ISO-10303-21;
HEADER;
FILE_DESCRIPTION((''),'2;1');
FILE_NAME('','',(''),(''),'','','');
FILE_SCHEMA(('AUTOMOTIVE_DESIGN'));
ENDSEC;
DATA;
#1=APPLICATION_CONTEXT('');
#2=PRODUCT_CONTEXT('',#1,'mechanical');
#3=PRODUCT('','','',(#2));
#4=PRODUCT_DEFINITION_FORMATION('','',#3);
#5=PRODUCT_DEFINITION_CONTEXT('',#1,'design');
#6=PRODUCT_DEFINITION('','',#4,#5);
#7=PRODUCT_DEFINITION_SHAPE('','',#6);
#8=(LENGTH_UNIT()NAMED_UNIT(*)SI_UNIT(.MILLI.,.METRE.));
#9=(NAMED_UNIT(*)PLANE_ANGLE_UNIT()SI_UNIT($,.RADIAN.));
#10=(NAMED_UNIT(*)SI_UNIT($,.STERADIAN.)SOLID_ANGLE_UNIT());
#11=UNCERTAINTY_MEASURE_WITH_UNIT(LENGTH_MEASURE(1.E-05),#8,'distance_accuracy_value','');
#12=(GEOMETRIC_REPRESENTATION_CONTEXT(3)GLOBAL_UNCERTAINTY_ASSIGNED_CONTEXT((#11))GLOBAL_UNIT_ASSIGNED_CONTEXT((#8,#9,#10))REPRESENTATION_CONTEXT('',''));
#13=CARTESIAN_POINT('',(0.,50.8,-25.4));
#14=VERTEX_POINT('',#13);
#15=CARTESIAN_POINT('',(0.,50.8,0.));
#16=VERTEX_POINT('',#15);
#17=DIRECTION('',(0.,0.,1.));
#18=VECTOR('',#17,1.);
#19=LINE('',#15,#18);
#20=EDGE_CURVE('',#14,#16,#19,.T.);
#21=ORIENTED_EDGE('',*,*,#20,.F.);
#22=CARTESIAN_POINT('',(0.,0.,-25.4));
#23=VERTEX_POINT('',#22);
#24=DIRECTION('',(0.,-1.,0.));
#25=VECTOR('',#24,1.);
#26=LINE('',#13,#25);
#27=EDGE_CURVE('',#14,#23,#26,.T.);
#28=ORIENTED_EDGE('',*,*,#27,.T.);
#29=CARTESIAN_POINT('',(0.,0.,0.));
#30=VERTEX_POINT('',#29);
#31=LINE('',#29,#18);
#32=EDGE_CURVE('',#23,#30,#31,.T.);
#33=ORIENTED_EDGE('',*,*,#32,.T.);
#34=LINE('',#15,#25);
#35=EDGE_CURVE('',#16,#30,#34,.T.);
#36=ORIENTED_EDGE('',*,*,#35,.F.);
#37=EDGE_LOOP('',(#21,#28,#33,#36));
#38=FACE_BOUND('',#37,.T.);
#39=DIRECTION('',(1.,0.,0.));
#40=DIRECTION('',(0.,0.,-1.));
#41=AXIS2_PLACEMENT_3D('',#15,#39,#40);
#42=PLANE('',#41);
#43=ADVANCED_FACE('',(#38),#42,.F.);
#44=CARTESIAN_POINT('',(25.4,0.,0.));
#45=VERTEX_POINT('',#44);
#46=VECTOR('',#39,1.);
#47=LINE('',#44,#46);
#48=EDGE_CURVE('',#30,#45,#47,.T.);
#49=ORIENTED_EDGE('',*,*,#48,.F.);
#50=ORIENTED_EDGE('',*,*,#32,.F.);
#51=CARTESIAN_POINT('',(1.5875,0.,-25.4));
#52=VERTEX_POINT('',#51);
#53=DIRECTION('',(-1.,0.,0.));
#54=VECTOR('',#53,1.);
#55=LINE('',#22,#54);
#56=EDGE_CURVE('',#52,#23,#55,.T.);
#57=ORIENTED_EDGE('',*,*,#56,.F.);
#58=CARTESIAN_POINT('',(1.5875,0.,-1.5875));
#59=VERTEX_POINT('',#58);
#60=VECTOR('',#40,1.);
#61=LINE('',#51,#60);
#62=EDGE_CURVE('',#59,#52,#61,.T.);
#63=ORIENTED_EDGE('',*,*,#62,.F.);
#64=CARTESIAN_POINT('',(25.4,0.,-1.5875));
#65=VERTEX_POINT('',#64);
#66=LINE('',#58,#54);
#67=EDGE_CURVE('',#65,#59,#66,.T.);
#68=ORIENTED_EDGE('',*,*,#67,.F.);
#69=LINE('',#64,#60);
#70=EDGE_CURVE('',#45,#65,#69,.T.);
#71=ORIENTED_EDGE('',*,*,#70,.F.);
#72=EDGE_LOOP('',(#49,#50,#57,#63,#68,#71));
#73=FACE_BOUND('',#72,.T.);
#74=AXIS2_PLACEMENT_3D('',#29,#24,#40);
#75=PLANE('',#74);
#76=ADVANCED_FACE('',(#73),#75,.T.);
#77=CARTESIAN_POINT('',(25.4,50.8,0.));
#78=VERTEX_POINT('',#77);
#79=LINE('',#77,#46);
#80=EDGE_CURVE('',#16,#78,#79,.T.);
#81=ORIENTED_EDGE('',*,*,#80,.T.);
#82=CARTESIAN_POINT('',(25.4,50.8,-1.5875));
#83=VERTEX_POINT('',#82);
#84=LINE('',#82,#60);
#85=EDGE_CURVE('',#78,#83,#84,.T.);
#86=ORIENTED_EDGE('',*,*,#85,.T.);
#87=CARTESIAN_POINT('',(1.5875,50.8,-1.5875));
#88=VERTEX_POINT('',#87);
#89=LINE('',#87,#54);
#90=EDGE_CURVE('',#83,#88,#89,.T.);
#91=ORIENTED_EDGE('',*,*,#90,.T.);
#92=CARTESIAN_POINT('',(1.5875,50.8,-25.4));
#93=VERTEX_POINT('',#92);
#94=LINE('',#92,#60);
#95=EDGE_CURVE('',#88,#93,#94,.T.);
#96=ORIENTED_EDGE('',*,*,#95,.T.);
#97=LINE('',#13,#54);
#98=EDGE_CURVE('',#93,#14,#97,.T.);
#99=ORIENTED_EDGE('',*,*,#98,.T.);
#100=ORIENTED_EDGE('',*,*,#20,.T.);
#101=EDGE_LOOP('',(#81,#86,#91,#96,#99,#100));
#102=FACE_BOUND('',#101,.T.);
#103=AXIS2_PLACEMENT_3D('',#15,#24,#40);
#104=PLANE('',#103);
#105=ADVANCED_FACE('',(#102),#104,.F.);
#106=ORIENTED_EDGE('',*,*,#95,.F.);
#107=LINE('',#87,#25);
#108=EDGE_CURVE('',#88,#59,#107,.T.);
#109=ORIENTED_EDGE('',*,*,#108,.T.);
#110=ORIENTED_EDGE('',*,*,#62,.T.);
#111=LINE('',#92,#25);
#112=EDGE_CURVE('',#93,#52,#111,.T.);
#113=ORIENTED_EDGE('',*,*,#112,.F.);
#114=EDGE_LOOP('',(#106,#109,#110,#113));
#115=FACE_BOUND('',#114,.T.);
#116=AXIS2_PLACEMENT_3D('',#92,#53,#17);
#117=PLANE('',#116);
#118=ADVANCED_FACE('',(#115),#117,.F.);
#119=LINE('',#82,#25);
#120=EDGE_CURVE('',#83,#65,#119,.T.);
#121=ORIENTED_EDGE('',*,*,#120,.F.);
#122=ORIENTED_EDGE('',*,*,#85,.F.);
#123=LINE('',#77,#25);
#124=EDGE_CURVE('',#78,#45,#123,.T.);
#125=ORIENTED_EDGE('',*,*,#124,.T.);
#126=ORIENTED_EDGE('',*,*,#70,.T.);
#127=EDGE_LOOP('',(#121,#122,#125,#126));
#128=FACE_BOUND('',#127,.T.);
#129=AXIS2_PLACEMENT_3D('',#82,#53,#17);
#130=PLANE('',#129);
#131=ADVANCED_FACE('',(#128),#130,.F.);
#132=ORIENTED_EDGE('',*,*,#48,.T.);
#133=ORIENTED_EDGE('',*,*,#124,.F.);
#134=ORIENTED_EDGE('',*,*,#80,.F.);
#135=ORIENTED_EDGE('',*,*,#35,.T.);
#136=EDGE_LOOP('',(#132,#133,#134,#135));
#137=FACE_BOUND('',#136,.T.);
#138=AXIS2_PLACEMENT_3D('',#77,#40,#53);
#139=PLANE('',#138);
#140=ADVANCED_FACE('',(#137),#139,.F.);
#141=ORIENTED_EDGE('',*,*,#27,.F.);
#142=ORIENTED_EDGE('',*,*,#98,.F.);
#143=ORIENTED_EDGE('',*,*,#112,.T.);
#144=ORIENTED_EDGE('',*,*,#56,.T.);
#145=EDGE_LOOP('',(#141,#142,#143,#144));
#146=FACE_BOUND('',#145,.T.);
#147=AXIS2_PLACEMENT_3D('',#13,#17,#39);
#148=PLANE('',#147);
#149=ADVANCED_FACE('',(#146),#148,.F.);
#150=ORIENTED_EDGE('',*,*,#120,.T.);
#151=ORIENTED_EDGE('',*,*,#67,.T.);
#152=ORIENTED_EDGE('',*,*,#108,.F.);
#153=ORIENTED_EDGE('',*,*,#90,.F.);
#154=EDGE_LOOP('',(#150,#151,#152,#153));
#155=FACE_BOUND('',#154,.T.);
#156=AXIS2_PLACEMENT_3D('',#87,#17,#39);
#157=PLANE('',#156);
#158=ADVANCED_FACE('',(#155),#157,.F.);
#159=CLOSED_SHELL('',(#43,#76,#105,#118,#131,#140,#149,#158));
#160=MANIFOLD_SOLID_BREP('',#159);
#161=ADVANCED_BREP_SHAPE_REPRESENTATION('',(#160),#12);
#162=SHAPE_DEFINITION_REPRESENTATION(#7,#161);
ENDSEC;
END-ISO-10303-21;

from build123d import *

# Parameters (mm, degrees)
BOSS_EXTRUDE1_DEPTH = 50.8


with BuildPart() as part:
    # Sketch1 → Boss-Extrude1 (new body)
    with BuildSketch(Plane(origin=(0, 0, 0), x_dir=(1, 0, 0), z_dir=(0, 1, 0))):
        Polygon((0, 0), (0, 25.4), (1.5875, 25.4), (1.5875, 1.5875), (25.4, 1.5875), (25.4, 0), align=None)
    extrude(amount=BOSS_EXTRUDE1_DEPTH)


solid = part.part
